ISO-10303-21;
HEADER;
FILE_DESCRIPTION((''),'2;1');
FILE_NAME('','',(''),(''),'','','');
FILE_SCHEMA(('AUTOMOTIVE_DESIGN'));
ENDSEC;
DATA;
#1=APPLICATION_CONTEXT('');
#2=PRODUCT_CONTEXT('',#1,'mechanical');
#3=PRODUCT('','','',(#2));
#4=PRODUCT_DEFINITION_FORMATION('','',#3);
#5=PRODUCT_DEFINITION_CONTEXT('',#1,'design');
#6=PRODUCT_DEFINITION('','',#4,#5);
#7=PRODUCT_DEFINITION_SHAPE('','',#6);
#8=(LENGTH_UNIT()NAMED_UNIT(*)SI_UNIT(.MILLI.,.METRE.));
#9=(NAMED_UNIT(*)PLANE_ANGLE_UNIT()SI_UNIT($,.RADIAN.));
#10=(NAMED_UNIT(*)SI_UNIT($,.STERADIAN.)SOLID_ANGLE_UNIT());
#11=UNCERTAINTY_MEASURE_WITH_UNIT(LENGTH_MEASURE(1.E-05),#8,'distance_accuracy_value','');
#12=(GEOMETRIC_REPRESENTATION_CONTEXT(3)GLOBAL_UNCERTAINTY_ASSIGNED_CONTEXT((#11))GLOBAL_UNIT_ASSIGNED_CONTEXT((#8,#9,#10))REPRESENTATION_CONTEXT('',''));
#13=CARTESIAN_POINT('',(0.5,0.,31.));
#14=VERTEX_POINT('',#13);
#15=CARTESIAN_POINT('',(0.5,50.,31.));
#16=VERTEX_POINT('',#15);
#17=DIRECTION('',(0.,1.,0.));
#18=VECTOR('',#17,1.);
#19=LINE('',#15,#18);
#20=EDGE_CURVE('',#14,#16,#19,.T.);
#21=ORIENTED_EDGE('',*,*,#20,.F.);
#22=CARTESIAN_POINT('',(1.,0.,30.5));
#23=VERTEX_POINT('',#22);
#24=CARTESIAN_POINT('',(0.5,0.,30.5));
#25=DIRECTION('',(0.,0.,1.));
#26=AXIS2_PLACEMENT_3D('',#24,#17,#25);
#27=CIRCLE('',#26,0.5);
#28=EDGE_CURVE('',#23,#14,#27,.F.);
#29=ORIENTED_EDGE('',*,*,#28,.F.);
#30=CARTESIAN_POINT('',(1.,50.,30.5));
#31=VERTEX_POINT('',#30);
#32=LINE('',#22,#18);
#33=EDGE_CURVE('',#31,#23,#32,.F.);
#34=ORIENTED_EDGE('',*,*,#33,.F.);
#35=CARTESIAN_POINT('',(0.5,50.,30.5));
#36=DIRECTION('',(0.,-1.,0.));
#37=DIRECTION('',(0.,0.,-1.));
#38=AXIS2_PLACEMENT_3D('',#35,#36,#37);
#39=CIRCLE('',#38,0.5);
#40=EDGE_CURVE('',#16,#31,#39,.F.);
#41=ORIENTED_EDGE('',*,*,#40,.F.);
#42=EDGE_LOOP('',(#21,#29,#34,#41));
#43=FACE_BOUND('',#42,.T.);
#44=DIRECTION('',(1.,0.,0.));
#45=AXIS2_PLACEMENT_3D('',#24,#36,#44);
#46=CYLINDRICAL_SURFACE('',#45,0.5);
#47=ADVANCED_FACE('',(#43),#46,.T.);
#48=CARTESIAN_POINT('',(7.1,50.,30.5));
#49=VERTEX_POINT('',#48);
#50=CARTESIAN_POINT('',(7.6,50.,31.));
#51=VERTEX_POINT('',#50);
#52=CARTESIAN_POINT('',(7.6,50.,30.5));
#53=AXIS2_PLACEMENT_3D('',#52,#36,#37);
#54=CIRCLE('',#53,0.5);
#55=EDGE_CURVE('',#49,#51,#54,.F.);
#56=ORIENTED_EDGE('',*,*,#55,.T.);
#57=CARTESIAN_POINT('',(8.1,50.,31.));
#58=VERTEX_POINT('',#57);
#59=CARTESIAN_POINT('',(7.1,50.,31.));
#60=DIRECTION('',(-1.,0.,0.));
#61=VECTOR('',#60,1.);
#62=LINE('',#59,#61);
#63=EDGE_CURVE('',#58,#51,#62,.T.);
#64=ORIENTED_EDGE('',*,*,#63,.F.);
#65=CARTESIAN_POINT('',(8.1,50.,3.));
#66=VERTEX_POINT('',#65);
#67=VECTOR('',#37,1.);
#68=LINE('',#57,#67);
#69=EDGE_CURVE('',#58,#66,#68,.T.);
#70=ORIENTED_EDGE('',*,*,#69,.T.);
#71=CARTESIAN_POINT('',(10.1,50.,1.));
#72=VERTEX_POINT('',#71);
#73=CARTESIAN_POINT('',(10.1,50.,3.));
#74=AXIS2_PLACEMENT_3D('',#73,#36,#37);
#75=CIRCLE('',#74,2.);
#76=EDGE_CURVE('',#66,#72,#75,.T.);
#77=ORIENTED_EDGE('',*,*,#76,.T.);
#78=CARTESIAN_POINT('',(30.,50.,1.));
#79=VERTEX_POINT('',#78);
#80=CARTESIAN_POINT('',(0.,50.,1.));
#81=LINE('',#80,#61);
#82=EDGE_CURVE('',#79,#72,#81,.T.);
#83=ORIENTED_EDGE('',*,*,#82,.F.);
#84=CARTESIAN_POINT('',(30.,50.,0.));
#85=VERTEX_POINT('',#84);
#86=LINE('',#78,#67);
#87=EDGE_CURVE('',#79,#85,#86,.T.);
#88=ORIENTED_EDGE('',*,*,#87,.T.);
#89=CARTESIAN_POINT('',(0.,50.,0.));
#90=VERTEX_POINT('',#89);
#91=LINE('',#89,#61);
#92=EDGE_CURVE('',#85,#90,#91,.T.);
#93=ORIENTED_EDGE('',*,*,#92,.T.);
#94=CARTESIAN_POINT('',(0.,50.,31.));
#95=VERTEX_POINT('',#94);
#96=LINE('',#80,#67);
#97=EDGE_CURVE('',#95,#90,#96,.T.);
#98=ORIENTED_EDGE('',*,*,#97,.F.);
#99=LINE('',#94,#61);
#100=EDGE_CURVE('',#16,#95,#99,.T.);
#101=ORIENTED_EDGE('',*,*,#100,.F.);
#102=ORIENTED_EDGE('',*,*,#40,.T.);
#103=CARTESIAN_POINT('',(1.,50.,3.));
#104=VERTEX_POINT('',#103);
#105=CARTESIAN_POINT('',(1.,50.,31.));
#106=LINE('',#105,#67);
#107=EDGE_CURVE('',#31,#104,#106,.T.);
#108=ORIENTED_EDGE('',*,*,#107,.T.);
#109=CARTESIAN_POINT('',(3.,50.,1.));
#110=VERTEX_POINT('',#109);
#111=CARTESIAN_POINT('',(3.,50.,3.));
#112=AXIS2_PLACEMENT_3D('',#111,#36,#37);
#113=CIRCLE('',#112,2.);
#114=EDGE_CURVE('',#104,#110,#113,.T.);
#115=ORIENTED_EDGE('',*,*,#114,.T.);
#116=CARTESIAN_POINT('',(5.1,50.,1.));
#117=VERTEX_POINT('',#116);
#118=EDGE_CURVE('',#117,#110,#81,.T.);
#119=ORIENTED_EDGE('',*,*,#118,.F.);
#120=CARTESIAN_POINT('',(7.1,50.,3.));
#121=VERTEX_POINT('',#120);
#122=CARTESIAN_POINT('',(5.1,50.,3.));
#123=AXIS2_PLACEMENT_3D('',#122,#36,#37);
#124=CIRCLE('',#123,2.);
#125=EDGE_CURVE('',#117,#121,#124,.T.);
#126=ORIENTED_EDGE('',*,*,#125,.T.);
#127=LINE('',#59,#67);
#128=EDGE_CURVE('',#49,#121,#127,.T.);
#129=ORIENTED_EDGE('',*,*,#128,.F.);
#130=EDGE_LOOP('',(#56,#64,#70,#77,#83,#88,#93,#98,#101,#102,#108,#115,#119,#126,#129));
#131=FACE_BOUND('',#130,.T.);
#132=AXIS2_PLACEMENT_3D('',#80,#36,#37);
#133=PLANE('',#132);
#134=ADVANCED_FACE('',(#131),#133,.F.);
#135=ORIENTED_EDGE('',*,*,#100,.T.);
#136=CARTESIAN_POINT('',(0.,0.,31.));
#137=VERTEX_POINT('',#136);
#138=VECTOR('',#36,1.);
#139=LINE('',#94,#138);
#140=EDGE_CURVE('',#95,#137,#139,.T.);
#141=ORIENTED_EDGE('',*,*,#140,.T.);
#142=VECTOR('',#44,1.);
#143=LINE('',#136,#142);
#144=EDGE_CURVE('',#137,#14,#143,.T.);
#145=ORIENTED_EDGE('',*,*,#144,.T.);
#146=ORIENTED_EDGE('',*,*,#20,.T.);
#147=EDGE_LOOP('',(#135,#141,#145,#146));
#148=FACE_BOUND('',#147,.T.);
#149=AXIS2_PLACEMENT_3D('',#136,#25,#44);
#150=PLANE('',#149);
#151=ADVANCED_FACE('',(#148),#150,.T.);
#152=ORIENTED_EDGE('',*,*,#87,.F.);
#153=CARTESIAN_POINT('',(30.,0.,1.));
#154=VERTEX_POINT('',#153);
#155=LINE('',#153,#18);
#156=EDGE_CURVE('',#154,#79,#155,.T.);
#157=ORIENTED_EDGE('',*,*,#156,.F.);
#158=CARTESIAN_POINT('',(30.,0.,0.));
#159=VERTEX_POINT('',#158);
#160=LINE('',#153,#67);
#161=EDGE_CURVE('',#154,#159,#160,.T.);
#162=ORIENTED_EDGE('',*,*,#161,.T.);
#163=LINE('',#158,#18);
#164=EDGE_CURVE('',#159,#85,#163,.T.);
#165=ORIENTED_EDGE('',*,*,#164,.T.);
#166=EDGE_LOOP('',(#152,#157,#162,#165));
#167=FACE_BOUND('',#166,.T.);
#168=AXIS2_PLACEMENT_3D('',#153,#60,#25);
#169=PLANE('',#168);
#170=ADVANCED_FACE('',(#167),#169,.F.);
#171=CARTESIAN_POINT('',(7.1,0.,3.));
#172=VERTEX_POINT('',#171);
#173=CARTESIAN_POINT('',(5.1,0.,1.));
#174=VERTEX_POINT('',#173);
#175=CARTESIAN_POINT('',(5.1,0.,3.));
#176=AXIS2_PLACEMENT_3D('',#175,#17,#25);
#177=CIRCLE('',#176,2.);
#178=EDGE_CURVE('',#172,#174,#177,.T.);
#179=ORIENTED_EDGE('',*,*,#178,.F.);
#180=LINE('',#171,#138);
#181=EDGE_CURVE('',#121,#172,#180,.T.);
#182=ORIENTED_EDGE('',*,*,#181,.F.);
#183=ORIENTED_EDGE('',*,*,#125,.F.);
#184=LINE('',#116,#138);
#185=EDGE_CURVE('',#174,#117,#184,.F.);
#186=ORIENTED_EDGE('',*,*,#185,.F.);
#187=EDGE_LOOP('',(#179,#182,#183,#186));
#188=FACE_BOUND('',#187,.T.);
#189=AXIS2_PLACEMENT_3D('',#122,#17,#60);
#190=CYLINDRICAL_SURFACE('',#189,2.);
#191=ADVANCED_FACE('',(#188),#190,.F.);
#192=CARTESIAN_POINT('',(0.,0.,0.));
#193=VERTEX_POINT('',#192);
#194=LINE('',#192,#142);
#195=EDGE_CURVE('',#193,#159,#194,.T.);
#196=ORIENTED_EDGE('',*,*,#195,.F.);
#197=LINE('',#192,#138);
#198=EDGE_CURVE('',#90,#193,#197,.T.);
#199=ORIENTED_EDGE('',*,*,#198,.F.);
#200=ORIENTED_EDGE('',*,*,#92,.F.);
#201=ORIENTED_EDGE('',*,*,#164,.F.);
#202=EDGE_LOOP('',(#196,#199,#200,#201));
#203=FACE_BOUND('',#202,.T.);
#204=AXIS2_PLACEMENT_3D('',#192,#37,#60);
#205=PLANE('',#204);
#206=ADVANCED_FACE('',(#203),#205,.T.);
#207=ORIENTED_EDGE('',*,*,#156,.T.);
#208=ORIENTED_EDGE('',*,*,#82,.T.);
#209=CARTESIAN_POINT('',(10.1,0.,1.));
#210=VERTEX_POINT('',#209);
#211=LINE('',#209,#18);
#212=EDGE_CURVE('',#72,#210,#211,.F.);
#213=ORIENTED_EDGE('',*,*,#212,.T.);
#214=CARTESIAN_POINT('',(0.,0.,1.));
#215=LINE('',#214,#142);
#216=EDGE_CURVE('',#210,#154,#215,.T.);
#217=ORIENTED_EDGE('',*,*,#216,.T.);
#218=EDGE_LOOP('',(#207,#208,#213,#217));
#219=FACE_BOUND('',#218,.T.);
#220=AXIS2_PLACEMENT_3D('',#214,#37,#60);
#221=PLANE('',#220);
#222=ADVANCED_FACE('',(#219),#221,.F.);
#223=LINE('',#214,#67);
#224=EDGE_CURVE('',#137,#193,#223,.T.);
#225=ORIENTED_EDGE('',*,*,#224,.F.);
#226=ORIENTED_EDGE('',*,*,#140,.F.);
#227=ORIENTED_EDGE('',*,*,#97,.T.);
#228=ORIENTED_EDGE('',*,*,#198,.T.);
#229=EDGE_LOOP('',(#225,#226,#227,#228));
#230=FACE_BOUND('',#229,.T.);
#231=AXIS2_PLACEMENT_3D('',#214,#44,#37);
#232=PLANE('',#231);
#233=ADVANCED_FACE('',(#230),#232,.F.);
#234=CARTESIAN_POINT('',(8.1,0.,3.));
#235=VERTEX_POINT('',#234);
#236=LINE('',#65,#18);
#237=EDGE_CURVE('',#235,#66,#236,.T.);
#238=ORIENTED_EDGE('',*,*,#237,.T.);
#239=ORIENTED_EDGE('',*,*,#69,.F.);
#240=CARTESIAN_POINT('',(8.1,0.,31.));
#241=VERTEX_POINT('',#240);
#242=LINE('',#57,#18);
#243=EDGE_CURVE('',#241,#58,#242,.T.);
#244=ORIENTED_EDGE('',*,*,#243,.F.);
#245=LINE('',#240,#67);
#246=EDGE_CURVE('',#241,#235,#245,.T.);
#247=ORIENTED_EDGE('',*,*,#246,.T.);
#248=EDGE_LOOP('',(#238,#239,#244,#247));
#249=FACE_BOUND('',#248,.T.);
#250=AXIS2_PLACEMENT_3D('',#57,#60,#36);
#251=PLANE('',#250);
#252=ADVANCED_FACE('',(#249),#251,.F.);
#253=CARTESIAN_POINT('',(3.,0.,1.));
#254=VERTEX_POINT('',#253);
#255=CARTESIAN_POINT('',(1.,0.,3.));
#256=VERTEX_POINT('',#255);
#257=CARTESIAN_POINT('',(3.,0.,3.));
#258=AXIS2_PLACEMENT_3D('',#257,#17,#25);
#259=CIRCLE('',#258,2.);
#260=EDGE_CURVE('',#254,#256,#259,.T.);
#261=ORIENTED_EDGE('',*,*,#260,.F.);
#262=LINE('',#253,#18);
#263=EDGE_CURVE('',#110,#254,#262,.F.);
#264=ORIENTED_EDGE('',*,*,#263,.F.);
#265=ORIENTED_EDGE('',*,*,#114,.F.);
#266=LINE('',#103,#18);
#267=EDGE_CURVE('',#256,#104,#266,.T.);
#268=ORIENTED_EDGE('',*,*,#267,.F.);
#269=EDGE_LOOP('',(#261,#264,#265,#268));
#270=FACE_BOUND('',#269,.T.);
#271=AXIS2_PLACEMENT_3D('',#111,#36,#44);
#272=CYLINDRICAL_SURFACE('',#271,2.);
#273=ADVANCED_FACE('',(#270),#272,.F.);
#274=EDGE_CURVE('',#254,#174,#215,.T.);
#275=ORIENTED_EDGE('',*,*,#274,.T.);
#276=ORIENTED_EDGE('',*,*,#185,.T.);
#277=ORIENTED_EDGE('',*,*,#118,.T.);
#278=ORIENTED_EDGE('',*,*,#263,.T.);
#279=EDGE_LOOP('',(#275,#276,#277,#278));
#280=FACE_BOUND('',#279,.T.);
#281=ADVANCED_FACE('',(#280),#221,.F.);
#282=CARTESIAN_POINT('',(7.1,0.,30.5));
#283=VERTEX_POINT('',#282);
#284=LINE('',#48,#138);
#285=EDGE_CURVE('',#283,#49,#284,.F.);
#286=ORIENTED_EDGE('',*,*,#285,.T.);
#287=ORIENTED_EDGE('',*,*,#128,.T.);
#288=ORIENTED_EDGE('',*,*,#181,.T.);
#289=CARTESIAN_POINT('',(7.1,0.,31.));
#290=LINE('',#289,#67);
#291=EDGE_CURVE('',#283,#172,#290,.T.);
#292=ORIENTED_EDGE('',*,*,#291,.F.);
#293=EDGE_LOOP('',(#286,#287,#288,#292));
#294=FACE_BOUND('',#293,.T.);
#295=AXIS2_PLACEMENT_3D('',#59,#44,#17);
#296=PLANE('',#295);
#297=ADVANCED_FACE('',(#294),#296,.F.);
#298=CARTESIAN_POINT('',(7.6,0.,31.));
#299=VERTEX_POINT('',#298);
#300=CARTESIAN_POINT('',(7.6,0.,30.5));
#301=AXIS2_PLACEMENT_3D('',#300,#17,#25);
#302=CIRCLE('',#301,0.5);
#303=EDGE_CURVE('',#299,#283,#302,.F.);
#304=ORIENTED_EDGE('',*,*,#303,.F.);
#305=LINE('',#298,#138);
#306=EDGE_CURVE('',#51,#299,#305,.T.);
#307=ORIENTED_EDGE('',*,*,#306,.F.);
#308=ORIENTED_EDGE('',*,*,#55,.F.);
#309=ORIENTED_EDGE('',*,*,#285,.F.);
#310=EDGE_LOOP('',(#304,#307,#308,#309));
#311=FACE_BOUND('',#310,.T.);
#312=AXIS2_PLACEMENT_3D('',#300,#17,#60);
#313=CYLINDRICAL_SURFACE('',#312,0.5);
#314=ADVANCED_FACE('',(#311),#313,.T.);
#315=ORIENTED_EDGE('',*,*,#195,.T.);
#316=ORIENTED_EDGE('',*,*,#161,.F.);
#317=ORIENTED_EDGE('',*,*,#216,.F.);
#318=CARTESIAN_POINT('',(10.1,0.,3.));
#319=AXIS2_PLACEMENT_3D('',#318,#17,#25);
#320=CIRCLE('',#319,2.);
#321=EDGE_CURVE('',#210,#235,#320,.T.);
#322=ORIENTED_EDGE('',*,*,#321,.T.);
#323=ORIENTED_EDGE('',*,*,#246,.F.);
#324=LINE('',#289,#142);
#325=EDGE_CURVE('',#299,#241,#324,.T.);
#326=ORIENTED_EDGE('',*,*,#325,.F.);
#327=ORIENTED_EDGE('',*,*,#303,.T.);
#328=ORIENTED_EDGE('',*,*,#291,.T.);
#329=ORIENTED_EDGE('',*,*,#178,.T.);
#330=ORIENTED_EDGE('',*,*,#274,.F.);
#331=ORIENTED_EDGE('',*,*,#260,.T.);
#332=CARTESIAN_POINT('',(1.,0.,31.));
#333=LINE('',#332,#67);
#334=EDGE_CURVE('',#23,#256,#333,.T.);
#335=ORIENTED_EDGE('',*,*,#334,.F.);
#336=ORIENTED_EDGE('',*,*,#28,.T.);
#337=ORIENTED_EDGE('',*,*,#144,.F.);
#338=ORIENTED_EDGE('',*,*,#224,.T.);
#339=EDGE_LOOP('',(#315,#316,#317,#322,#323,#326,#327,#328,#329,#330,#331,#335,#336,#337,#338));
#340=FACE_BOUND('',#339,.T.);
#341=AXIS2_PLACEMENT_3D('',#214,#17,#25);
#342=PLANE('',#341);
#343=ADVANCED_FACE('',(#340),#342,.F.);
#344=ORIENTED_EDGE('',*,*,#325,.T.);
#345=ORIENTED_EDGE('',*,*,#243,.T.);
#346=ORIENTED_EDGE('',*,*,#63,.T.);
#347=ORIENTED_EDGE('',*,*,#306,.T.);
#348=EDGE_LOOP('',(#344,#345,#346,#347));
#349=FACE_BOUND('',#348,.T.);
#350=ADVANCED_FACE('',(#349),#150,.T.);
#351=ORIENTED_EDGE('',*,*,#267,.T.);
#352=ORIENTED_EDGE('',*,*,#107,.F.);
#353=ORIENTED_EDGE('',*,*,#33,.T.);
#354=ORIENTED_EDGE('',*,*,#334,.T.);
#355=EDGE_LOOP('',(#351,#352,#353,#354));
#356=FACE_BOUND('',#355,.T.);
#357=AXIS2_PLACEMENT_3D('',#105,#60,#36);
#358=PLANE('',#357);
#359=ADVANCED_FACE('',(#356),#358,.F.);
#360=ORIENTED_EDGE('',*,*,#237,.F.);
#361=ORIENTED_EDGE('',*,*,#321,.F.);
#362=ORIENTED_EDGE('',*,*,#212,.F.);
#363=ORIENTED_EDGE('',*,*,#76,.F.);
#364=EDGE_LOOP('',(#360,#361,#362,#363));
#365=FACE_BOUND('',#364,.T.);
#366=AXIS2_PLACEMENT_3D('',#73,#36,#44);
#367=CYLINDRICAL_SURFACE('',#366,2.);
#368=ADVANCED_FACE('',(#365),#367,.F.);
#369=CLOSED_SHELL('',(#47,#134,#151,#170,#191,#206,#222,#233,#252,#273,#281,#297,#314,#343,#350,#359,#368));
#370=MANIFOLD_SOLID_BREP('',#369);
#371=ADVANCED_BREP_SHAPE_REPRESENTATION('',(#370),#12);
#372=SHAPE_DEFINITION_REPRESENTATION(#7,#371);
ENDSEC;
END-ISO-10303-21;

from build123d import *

# Parameters (mm, degrees)
SKETCH1_W           = 30
SKETCH1_H           = 50
BOSS_EXTRUDE1_DEPTH = 1
SKETCH2_W           = 1
SKETCH2_H           = 50
BOSS_EXTRUDE2_DEPTH = 30
FILLET2_R           = 2
FILLET3_R           = 0.5


with BuildPart() as part:
    # Sketch1 → Boss-Extrude1 (new body)
    with BuildSketch(Plane.XY):
        with Locations((15, 25)):
            Rectangle(SKETCH1_W, SKETCH1_H)
    extrude(amount=BOSS_EXTRUDE1_DEPTH)

    # Sketch2 → Boss-Extrude2 (add)
    with BuildSketch(Plane.XY.offset(1)):
        with Locations((0.5, 25)):
            Rectangle(SKETCH2_W, SKETCH2_H)
        with Locations((7.6, 25)):
            Rectangle(SKETCH2_W, SKETCH2_H)
    extrude(amount=BOSS_EXTRUDE2_DEPTH)

    # Fillet2
    fillet2_edges = [part.edges().sort_by_distance(p)[0] for p in [
        (1, 25, 1),
        (7.1, 25, 1),
        (8.1, 25, 1),
    ]]
    fillet(fillet2_edges, radius=FILLET2_R)

    # Fillet3
    fillet3_edges = [part.edges().sort_by_distance(p)[0] for p in [
        (1, 25, 31),
        (7.1, 25, 31),
    ]]
    fillet(fillet3_edges, radius=FILLET3_R)


solid = part.part
